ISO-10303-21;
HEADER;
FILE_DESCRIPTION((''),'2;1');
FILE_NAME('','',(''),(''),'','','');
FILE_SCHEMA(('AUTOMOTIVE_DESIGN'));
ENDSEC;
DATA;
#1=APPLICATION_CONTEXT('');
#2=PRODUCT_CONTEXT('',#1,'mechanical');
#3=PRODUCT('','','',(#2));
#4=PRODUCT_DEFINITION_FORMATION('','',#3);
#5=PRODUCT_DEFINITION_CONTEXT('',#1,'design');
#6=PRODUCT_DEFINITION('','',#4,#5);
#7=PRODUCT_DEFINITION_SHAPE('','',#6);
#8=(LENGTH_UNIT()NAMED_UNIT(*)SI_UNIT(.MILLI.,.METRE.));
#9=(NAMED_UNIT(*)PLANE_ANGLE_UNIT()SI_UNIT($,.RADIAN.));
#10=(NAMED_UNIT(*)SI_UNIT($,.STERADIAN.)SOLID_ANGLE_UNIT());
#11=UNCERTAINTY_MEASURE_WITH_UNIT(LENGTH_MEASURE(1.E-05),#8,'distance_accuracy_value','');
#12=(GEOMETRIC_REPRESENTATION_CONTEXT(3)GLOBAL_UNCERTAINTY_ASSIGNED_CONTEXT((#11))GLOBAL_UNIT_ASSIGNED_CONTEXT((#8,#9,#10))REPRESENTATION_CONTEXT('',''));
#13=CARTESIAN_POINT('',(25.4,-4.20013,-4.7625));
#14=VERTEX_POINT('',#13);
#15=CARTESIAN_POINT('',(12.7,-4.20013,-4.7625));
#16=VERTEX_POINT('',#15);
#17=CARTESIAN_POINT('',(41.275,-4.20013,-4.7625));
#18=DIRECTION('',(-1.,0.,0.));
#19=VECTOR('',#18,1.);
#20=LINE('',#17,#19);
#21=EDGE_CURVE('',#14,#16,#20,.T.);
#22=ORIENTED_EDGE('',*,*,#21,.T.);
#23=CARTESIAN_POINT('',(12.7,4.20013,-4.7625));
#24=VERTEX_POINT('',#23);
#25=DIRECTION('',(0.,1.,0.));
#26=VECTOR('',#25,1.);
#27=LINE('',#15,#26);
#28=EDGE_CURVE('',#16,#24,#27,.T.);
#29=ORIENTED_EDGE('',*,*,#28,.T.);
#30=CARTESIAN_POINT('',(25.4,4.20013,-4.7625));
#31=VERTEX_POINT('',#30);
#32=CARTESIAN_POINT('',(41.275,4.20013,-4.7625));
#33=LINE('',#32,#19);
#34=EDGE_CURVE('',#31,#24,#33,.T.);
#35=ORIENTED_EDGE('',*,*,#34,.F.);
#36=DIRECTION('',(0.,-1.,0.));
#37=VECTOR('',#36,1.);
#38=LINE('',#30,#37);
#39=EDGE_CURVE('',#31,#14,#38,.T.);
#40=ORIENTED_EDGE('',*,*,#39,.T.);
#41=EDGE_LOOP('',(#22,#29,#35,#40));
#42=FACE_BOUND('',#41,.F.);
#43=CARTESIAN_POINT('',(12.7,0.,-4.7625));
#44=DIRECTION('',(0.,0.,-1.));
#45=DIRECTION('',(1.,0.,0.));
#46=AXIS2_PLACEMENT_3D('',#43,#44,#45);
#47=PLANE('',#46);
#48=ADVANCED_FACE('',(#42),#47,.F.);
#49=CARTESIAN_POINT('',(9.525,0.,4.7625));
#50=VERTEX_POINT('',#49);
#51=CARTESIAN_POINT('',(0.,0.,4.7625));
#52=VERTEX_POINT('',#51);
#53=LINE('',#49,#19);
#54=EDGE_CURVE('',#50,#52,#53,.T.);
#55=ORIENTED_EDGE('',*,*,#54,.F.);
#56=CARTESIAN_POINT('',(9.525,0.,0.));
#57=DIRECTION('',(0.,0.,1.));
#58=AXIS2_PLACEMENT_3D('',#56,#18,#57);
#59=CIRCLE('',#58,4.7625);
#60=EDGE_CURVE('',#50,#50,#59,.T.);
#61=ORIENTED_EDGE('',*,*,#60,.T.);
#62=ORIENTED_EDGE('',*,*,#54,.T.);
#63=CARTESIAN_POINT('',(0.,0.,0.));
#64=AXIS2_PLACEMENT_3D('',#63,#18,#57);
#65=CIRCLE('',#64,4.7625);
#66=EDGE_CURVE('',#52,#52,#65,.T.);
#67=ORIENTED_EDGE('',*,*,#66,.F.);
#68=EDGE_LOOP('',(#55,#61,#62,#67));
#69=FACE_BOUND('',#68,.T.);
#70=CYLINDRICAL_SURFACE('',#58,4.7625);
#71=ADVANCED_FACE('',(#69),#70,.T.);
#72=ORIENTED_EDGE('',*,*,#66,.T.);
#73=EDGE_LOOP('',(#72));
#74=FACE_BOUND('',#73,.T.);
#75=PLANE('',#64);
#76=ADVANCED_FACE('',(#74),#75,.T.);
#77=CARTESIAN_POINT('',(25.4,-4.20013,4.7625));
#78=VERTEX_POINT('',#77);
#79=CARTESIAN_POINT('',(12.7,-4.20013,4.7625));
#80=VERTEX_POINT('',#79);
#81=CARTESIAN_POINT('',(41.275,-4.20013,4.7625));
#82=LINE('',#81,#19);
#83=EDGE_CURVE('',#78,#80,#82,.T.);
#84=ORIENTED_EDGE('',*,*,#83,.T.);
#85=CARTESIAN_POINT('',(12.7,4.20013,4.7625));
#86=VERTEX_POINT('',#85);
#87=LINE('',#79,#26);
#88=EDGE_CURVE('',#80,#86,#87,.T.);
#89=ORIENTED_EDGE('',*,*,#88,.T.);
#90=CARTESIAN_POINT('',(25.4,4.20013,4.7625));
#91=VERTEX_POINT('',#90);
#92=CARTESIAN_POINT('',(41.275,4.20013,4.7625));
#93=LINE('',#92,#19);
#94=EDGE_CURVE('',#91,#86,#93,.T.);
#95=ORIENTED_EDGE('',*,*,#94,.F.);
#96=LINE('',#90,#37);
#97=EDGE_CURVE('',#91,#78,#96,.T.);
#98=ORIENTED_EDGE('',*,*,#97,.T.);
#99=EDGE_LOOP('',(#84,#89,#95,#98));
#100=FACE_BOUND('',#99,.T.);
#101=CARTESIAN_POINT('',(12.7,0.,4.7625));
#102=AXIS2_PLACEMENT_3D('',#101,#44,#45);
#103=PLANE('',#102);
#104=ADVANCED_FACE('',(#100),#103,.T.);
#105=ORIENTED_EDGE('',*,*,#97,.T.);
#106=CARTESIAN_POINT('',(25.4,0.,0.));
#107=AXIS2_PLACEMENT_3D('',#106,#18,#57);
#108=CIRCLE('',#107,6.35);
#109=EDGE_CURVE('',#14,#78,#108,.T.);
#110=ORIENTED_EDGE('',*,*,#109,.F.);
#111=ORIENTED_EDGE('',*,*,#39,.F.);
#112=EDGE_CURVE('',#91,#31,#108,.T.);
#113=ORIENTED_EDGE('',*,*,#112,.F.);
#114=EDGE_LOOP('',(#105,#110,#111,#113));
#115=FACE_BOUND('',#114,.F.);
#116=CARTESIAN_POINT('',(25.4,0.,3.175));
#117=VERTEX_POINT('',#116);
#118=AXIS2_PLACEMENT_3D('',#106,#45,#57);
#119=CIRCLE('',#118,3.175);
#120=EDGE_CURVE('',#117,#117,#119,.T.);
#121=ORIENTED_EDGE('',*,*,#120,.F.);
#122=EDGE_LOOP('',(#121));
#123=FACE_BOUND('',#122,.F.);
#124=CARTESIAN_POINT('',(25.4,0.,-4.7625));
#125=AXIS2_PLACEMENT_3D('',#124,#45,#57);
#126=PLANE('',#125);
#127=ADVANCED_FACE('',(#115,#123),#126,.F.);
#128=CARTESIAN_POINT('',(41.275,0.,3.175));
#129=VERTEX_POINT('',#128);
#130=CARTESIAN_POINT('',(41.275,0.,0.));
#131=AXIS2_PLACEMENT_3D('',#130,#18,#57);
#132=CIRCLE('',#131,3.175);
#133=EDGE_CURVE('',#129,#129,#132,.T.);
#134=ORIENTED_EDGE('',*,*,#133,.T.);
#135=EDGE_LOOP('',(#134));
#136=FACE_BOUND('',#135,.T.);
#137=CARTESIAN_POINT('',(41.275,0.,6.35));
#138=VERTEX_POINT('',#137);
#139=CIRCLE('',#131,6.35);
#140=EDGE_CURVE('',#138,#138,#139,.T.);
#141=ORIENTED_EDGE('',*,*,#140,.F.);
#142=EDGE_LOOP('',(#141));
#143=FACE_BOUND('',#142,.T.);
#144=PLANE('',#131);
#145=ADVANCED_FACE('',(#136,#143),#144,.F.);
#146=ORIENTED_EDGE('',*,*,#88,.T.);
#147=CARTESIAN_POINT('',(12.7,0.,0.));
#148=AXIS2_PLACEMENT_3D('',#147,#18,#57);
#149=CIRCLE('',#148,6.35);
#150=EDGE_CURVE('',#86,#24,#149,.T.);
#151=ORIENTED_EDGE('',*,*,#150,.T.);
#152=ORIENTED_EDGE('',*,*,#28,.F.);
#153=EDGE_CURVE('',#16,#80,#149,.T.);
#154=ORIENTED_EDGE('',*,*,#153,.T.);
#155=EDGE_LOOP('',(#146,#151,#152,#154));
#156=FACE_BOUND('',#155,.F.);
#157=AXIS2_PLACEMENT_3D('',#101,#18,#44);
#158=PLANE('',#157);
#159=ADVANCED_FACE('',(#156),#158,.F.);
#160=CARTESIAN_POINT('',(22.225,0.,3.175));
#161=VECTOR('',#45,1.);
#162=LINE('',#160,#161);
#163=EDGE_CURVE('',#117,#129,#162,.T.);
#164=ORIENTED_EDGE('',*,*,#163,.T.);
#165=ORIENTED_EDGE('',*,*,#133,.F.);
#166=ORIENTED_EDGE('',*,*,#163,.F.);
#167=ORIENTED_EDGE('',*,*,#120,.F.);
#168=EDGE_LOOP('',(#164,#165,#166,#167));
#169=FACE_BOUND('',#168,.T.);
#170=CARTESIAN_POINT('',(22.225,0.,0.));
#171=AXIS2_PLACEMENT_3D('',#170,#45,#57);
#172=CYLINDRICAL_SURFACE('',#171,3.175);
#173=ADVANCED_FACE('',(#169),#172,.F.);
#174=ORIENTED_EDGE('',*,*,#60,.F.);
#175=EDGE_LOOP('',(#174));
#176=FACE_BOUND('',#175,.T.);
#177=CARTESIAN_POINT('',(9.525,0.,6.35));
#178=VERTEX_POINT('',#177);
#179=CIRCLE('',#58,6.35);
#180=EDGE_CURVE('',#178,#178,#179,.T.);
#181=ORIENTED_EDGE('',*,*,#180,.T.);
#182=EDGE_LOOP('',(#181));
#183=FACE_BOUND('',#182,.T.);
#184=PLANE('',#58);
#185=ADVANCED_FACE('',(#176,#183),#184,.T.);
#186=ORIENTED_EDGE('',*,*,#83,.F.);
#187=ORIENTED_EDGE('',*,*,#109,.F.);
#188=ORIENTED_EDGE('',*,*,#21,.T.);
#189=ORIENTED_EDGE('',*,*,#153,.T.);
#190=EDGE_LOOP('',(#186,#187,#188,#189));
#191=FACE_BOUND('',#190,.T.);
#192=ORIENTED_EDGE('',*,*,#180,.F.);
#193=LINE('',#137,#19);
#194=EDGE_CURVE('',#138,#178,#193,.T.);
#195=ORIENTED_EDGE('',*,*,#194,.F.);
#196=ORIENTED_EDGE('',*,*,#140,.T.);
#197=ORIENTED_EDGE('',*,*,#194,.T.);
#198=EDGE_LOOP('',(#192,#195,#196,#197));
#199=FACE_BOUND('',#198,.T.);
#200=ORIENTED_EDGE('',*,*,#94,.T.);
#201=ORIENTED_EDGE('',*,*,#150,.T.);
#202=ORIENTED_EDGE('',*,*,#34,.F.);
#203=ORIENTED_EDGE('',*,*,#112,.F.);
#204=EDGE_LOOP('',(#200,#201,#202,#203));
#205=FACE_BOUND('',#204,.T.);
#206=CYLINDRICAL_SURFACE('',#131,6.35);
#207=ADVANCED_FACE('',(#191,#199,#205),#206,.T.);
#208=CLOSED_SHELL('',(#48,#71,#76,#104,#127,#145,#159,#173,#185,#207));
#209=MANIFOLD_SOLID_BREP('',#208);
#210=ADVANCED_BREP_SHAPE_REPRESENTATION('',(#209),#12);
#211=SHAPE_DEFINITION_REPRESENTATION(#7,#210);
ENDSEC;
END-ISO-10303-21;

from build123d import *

# Parameters (mm, degrees)
F2_W          = 12.7
F2_H          = 4.7625
F3_DEPTH      = 6.351
F3_DEPTH_BACK = 6.351


with BuildPart() as f1:
    # F0 (on Front) → F1 (revolve)
    with BuildSketch(Plane.XZ):
        Polygon((0, 4.7625), (0, 0), (22.225, 0), (22.225, 3.175), (41.275, 3.175), (41.275, 6.35), (9.525, 6.35), (9.525, 4.7625), align=None)
    revolve(axis=Axis((11.1125, 0, 0), (-1, 0, 0)))

    # F2 (on Front) → F3 (cut, two sides)
    with BuildSketch(Plane.XZ) as f3_sk:
        with Locations((19.05, 2.38125)):
            Rectangle(F2_W, F2_H)
        with Locations((19.05, -2.38125)):
            Rectangle(F2_W, F2_H)
    extrude(amount=-F3_DEPTH, mode=Mode.SUBTRACT)
    extrude(f3_sk.sketch, amount=F3_DEPTH_BACK, mode=Mode.SUBTRACT)


solid = f1.part
